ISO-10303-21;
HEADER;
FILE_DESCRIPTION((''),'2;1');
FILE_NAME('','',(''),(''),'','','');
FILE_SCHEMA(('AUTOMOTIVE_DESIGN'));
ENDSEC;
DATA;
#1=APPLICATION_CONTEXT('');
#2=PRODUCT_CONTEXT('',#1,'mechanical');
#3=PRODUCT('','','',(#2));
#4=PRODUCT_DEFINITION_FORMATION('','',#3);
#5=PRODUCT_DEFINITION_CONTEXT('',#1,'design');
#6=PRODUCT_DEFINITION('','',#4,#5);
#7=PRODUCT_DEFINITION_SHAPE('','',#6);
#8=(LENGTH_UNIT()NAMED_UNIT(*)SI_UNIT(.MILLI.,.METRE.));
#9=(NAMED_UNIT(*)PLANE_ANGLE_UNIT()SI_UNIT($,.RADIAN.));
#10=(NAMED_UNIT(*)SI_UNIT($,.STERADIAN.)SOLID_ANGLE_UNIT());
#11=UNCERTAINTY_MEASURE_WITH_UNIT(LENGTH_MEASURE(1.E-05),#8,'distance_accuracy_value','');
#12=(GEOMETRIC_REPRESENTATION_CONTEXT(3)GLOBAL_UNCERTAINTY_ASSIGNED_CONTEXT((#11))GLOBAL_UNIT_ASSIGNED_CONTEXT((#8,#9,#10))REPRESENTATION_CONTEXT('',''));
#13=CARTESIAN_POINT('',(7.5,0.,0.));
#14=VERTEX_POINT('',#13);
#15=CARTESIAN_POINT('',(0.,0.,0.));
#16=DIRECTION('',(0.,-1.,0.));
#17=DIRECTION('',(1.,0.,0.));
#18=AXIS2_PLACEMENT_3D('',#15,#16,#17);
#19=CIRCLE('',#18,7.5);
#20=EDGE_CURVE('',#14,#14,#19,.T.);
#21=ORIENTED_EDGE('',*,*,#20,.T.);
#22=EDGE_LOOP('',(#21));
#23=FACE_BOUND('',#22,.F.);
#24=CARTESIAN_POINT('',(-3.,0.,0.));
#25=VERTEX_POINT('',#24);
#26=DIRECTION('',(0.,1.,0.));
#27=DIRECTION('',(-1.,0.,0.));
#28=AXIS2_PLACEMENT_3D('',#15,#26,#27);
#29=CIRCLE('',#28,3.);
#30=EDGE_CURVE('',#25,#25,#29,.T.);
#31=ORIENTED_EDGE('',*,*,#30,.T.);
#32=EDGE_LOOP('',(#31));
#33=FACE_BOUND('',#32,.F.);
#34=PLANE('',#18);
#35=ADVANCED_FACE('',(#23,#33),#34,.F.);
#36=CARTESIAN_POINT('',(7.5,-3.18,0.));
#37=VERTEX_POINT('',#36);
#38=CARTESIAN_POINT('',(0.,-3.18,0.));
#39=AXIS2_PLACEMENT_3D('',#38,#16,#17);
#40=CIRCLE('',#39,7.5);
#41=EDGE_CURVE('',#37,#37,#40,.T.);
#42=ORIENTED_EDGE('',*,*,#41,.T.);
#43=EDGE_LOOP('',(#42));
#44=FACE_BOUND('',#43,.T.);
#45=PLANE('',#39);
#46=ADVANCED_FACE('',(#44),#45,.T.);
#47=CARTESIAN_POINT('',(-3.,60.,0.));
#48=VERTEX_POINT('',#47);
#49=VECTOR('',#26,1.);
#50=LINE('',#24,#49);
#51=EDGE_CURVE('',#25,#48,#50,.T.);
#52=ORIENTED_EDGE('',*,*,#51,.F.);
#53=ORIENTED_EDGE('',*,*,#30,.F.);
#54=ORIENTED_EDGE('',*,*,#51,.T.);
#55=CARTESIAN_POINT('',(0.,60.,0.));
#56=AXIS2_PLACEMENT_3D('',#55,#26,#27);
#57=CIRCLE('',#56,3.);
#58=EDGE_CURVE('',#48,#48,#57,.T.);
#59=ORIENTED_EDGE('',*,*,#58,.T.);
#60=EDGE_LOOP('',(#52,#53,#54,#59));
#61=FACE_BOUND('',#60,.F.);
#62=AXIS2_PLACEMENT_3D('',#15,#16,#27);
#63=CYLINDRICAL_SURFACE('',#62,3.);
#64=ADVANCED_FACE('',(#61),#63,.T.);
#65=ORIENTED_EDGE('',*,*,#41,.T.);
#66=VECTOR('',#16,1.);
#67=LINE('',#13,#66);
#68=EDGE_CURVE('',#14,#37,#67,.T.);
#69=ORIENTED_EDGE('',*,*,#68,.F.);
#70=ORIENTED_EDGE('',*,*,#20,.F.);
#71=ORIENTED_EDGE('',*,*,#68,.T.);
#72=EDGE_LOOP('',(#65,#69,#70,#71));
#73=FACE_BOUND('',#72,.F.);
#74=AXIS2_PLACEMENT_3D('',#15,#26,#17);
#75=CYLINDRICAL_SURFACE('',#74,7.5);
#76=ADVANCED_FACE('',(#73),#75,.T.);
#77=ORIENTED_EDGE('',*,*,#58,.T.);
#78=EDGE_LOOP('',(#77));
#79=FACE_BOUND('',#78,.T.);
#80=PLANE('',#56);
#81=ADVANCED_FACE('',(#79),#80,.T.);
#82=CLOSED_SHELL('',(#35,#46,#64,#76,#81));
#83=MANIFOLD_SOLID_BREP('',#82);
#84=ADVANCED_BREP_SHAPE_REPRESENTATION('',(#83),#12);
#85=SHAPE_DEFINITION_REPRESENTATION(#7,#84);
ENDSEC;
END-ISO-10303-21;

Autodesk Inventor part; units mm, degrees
ref_plane "YZ Plane" through (0, 0, 0) normal (1, 0, 0) x (0, 1, 0)
ref_plane "XZ Plane" through (0, 0, 0) normal (0, 1, 0) x (-1, 0, 0)
ref_plane "XY Plane" through (0, 0, 0) normal (0, 0, 1) x (1, 0, 0)
sketch "Sketch1" plane through (0, 0, 0) normal (0, 1, 0) x (-1, 0, 0)
  circle A0 centre (0, 0) radius 3
  dimension "d0" = 6
extrude "Extrusion1" add sketch "Sketch1" along normal blind 60
sketch "Sketch2" plane through (0, 0, 0) normal (0, -1, 0) x (1, 0, 0)
  circle A0 centre (0, 0) radius 7.5
  dimension "d3" = 15
extrude "Extrusion2" add sketch "Sketch2" along normal blind 3.18
properties part number "Eje"
